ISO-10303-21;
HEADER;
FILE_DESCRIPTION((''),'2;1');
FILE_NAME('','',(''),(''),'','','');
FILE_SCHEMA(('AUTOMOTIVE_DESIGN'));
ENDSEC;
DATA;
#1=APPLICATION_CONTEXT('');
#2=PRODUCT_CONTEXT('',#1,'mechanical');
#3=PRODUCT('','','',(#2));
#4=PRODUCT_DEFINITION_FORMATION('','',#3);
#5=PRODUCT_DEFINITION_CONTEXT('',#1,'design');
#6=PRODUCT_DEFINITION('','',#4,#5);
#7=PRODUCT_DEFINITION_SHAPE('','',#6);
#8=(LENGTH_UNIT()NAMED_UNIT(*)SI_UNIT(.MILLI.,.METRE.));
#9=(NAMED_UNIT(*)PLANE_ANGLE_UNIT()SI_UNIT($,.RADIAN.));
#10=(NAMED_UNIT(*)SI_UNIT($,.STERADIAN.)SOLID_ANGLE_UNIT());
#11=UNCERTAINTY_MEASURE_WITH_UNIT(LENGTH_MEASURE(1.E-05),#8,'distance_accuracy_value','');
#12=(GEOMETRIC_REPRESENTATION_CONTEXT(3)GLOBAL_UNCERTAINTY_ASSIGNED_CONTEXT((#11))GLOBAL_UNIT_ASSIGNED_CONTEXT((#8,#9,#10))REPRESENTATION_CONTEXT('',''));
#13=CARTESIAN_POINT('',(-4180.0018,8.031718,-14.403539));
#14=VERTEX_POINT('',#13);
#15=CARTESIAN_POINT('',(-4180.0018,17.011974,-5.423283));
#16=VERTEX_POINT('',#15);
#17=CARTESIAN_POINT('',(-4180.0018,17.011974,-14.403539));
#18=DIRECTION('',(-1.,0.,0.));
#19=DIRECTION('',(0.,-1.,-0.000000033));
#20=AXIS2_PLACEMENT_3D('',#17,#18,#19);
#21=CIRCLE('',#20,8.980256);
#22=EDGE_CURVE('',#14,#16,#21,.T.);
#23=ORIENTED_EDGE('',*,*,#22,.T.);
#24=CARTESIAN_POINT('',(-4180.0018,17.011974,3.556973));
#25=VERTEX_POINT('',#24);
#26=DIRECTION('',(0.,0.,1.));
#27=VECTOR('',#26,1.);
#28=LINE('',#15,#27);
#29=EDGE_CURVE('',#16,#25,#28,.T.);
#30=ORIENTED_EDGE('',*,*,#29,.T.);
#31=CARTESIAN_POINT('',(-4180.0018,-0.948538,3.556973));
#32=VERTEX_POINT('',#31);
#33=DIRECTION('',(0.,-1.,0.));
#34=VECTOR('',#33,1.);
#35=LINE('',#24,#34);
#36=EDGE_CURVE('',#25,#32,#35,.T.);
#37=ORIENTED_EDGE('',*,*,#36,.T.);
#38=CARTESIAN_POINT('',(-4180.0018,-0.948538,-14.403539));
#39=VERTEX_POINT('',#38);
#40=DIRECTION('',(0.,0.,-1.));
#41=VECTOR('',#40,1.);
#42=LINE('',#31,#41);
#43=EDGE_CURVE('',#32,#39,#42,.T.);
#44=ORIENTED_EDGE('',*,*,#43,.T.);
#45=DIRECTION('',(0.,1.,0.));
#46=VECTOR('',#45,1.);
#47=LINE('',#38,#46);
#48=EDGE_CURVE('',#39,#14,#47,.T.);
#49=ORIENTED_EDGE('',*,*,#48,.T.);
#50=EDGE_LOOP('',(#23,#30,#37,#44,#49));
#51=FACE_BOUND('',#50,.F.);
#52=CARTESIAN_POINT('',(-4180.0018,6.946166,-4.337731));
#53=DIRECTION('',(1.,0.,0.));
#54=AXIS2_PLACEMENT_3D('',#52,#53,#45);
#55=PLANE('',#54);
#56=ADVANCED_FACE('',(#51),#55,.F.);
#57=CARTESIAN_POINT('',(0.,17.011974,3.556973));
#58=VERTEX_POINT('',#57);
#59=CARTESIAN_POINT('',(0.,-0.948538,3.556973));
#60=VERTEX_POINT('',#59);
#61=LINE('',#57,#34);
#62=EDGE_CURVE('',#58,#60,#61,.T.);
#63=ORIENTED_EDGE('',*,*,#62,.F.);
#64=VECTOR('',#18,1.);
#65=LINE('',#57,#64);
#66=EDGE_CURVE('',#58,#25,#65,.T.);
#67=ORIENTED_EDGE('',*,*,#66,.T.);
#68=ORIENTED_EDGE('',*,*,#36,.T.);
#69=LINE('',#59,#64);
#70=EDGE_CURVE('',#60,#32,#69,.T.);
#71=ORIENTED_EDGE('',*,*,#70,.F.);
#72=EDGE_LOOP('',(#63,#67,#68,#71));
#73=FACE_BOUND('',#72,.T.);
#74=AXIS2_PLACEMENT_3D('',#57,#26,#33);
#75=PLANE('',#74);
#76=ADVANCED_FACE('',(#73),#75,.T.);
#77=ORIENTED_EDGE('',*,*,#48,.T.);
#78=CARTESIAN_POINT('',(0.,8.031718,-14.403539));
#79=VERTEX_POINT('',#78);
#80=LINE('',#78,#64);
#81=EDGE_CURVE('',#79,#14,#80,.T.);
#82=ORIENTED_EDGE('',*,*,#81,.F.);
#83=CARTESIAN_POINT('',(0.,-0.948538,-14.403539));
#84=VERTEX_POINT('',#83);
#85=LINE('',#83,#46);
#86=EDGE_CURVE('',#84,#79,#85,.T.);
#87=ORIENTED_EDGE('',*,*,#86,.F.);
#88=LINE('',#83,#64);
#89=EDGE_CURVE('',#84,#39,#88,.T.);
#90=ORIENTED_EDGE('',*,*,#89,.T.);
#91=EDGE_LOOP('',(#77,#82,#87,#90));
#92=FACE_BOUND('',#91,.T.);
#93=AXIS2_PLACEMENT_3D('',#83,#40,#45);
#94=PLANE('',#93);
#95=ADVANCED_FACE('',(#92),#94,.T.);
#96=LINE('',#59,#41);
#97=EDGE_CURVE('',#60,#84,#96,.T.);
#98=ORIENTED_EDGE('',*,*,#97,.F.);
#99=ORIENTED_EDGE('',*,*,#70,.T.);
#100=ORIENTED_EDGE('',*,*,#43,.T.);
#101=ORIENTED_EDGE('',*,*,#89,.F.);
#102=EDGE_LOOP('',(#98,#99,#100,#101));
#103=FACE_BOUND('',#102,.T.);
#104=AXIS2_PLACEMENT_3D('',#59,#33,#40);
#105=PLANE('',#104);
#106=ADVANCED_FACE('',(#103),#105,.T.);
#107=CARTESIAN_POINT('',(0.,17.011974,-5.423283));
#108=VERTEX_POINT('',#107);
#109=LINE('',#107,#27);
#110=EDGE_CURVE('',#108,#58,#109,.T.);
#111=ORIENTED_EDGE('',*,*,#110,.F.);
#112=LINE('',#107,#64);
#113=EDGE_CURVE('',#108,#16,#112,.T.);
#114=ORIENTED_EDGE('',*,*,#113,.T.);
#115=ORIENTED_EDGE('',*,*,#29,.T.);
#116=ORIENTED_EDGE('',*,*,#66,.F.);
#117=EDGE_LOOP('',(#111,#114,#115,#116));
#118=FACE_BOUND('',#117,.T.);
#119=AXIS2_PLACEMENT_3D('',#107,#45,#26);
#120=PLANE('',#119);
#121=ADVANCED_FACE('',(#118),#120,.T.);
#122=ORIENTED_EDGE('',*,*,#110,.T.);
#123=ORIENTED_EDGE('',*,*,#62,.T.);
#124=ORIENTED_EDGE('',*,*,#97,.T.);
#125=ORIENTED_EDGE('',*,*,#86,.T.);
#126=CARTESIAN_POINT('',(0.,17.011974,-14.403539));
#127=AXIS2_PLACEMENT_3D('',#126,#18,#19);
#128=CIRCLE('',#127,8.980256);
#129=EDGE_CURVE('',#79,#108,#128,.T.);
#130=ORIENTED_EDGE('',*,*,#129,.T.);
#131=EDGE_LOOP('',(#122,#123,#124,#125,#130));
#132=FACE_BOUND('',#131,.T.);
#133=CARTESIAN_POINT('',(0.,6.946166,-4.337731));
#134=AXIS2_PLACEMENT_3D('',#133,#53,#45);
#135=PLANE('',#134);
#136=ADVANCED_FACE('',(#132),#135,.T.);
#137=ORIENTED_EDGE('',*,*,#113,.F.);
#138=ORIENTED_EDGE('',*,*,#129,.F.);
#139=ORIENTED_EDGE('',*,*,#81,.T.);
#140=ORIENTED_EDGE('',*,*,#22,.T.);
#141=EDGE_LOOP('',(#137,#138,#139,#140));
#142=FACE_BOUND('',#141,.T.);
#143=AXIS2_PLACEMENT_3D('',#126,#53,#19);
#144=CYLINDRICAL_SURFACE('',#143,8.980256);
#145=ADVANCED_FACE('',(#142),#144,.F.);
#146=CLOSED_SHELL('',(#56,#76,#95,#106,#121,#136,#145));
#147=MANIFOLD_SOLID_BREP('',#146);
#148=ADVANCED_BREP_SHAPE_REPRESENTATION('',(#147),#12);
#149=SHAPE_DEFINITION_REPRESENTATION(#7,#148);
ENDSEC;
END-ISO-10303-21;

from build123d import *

# Parameters (mm, degrees)
F1_DEPTH = 4180.0018


with BuildPart() as f1:
    # F0 (on Right) → F1 (new body)
    with BuildSketch(Plane.YZ):
        with BuildLine():
            Line((17.011974, 3.556973), (-0.948538, 3.556973))
            Line((-0.948538, 3.556973), (-0.948538, -14.403539))
            Line((-0.948538, -14.403539), (8.031718, -14.403539))
            ThreePointArc((8.031718, -14.403539), (10.661974, -8.053539), (17.011974, -5.423283))
            Line((17.011974, -5.423283), (17.011974, 3.556973))
        make_face()
    extrude(amount=-F1_DEPTH)


solid = f1.part
